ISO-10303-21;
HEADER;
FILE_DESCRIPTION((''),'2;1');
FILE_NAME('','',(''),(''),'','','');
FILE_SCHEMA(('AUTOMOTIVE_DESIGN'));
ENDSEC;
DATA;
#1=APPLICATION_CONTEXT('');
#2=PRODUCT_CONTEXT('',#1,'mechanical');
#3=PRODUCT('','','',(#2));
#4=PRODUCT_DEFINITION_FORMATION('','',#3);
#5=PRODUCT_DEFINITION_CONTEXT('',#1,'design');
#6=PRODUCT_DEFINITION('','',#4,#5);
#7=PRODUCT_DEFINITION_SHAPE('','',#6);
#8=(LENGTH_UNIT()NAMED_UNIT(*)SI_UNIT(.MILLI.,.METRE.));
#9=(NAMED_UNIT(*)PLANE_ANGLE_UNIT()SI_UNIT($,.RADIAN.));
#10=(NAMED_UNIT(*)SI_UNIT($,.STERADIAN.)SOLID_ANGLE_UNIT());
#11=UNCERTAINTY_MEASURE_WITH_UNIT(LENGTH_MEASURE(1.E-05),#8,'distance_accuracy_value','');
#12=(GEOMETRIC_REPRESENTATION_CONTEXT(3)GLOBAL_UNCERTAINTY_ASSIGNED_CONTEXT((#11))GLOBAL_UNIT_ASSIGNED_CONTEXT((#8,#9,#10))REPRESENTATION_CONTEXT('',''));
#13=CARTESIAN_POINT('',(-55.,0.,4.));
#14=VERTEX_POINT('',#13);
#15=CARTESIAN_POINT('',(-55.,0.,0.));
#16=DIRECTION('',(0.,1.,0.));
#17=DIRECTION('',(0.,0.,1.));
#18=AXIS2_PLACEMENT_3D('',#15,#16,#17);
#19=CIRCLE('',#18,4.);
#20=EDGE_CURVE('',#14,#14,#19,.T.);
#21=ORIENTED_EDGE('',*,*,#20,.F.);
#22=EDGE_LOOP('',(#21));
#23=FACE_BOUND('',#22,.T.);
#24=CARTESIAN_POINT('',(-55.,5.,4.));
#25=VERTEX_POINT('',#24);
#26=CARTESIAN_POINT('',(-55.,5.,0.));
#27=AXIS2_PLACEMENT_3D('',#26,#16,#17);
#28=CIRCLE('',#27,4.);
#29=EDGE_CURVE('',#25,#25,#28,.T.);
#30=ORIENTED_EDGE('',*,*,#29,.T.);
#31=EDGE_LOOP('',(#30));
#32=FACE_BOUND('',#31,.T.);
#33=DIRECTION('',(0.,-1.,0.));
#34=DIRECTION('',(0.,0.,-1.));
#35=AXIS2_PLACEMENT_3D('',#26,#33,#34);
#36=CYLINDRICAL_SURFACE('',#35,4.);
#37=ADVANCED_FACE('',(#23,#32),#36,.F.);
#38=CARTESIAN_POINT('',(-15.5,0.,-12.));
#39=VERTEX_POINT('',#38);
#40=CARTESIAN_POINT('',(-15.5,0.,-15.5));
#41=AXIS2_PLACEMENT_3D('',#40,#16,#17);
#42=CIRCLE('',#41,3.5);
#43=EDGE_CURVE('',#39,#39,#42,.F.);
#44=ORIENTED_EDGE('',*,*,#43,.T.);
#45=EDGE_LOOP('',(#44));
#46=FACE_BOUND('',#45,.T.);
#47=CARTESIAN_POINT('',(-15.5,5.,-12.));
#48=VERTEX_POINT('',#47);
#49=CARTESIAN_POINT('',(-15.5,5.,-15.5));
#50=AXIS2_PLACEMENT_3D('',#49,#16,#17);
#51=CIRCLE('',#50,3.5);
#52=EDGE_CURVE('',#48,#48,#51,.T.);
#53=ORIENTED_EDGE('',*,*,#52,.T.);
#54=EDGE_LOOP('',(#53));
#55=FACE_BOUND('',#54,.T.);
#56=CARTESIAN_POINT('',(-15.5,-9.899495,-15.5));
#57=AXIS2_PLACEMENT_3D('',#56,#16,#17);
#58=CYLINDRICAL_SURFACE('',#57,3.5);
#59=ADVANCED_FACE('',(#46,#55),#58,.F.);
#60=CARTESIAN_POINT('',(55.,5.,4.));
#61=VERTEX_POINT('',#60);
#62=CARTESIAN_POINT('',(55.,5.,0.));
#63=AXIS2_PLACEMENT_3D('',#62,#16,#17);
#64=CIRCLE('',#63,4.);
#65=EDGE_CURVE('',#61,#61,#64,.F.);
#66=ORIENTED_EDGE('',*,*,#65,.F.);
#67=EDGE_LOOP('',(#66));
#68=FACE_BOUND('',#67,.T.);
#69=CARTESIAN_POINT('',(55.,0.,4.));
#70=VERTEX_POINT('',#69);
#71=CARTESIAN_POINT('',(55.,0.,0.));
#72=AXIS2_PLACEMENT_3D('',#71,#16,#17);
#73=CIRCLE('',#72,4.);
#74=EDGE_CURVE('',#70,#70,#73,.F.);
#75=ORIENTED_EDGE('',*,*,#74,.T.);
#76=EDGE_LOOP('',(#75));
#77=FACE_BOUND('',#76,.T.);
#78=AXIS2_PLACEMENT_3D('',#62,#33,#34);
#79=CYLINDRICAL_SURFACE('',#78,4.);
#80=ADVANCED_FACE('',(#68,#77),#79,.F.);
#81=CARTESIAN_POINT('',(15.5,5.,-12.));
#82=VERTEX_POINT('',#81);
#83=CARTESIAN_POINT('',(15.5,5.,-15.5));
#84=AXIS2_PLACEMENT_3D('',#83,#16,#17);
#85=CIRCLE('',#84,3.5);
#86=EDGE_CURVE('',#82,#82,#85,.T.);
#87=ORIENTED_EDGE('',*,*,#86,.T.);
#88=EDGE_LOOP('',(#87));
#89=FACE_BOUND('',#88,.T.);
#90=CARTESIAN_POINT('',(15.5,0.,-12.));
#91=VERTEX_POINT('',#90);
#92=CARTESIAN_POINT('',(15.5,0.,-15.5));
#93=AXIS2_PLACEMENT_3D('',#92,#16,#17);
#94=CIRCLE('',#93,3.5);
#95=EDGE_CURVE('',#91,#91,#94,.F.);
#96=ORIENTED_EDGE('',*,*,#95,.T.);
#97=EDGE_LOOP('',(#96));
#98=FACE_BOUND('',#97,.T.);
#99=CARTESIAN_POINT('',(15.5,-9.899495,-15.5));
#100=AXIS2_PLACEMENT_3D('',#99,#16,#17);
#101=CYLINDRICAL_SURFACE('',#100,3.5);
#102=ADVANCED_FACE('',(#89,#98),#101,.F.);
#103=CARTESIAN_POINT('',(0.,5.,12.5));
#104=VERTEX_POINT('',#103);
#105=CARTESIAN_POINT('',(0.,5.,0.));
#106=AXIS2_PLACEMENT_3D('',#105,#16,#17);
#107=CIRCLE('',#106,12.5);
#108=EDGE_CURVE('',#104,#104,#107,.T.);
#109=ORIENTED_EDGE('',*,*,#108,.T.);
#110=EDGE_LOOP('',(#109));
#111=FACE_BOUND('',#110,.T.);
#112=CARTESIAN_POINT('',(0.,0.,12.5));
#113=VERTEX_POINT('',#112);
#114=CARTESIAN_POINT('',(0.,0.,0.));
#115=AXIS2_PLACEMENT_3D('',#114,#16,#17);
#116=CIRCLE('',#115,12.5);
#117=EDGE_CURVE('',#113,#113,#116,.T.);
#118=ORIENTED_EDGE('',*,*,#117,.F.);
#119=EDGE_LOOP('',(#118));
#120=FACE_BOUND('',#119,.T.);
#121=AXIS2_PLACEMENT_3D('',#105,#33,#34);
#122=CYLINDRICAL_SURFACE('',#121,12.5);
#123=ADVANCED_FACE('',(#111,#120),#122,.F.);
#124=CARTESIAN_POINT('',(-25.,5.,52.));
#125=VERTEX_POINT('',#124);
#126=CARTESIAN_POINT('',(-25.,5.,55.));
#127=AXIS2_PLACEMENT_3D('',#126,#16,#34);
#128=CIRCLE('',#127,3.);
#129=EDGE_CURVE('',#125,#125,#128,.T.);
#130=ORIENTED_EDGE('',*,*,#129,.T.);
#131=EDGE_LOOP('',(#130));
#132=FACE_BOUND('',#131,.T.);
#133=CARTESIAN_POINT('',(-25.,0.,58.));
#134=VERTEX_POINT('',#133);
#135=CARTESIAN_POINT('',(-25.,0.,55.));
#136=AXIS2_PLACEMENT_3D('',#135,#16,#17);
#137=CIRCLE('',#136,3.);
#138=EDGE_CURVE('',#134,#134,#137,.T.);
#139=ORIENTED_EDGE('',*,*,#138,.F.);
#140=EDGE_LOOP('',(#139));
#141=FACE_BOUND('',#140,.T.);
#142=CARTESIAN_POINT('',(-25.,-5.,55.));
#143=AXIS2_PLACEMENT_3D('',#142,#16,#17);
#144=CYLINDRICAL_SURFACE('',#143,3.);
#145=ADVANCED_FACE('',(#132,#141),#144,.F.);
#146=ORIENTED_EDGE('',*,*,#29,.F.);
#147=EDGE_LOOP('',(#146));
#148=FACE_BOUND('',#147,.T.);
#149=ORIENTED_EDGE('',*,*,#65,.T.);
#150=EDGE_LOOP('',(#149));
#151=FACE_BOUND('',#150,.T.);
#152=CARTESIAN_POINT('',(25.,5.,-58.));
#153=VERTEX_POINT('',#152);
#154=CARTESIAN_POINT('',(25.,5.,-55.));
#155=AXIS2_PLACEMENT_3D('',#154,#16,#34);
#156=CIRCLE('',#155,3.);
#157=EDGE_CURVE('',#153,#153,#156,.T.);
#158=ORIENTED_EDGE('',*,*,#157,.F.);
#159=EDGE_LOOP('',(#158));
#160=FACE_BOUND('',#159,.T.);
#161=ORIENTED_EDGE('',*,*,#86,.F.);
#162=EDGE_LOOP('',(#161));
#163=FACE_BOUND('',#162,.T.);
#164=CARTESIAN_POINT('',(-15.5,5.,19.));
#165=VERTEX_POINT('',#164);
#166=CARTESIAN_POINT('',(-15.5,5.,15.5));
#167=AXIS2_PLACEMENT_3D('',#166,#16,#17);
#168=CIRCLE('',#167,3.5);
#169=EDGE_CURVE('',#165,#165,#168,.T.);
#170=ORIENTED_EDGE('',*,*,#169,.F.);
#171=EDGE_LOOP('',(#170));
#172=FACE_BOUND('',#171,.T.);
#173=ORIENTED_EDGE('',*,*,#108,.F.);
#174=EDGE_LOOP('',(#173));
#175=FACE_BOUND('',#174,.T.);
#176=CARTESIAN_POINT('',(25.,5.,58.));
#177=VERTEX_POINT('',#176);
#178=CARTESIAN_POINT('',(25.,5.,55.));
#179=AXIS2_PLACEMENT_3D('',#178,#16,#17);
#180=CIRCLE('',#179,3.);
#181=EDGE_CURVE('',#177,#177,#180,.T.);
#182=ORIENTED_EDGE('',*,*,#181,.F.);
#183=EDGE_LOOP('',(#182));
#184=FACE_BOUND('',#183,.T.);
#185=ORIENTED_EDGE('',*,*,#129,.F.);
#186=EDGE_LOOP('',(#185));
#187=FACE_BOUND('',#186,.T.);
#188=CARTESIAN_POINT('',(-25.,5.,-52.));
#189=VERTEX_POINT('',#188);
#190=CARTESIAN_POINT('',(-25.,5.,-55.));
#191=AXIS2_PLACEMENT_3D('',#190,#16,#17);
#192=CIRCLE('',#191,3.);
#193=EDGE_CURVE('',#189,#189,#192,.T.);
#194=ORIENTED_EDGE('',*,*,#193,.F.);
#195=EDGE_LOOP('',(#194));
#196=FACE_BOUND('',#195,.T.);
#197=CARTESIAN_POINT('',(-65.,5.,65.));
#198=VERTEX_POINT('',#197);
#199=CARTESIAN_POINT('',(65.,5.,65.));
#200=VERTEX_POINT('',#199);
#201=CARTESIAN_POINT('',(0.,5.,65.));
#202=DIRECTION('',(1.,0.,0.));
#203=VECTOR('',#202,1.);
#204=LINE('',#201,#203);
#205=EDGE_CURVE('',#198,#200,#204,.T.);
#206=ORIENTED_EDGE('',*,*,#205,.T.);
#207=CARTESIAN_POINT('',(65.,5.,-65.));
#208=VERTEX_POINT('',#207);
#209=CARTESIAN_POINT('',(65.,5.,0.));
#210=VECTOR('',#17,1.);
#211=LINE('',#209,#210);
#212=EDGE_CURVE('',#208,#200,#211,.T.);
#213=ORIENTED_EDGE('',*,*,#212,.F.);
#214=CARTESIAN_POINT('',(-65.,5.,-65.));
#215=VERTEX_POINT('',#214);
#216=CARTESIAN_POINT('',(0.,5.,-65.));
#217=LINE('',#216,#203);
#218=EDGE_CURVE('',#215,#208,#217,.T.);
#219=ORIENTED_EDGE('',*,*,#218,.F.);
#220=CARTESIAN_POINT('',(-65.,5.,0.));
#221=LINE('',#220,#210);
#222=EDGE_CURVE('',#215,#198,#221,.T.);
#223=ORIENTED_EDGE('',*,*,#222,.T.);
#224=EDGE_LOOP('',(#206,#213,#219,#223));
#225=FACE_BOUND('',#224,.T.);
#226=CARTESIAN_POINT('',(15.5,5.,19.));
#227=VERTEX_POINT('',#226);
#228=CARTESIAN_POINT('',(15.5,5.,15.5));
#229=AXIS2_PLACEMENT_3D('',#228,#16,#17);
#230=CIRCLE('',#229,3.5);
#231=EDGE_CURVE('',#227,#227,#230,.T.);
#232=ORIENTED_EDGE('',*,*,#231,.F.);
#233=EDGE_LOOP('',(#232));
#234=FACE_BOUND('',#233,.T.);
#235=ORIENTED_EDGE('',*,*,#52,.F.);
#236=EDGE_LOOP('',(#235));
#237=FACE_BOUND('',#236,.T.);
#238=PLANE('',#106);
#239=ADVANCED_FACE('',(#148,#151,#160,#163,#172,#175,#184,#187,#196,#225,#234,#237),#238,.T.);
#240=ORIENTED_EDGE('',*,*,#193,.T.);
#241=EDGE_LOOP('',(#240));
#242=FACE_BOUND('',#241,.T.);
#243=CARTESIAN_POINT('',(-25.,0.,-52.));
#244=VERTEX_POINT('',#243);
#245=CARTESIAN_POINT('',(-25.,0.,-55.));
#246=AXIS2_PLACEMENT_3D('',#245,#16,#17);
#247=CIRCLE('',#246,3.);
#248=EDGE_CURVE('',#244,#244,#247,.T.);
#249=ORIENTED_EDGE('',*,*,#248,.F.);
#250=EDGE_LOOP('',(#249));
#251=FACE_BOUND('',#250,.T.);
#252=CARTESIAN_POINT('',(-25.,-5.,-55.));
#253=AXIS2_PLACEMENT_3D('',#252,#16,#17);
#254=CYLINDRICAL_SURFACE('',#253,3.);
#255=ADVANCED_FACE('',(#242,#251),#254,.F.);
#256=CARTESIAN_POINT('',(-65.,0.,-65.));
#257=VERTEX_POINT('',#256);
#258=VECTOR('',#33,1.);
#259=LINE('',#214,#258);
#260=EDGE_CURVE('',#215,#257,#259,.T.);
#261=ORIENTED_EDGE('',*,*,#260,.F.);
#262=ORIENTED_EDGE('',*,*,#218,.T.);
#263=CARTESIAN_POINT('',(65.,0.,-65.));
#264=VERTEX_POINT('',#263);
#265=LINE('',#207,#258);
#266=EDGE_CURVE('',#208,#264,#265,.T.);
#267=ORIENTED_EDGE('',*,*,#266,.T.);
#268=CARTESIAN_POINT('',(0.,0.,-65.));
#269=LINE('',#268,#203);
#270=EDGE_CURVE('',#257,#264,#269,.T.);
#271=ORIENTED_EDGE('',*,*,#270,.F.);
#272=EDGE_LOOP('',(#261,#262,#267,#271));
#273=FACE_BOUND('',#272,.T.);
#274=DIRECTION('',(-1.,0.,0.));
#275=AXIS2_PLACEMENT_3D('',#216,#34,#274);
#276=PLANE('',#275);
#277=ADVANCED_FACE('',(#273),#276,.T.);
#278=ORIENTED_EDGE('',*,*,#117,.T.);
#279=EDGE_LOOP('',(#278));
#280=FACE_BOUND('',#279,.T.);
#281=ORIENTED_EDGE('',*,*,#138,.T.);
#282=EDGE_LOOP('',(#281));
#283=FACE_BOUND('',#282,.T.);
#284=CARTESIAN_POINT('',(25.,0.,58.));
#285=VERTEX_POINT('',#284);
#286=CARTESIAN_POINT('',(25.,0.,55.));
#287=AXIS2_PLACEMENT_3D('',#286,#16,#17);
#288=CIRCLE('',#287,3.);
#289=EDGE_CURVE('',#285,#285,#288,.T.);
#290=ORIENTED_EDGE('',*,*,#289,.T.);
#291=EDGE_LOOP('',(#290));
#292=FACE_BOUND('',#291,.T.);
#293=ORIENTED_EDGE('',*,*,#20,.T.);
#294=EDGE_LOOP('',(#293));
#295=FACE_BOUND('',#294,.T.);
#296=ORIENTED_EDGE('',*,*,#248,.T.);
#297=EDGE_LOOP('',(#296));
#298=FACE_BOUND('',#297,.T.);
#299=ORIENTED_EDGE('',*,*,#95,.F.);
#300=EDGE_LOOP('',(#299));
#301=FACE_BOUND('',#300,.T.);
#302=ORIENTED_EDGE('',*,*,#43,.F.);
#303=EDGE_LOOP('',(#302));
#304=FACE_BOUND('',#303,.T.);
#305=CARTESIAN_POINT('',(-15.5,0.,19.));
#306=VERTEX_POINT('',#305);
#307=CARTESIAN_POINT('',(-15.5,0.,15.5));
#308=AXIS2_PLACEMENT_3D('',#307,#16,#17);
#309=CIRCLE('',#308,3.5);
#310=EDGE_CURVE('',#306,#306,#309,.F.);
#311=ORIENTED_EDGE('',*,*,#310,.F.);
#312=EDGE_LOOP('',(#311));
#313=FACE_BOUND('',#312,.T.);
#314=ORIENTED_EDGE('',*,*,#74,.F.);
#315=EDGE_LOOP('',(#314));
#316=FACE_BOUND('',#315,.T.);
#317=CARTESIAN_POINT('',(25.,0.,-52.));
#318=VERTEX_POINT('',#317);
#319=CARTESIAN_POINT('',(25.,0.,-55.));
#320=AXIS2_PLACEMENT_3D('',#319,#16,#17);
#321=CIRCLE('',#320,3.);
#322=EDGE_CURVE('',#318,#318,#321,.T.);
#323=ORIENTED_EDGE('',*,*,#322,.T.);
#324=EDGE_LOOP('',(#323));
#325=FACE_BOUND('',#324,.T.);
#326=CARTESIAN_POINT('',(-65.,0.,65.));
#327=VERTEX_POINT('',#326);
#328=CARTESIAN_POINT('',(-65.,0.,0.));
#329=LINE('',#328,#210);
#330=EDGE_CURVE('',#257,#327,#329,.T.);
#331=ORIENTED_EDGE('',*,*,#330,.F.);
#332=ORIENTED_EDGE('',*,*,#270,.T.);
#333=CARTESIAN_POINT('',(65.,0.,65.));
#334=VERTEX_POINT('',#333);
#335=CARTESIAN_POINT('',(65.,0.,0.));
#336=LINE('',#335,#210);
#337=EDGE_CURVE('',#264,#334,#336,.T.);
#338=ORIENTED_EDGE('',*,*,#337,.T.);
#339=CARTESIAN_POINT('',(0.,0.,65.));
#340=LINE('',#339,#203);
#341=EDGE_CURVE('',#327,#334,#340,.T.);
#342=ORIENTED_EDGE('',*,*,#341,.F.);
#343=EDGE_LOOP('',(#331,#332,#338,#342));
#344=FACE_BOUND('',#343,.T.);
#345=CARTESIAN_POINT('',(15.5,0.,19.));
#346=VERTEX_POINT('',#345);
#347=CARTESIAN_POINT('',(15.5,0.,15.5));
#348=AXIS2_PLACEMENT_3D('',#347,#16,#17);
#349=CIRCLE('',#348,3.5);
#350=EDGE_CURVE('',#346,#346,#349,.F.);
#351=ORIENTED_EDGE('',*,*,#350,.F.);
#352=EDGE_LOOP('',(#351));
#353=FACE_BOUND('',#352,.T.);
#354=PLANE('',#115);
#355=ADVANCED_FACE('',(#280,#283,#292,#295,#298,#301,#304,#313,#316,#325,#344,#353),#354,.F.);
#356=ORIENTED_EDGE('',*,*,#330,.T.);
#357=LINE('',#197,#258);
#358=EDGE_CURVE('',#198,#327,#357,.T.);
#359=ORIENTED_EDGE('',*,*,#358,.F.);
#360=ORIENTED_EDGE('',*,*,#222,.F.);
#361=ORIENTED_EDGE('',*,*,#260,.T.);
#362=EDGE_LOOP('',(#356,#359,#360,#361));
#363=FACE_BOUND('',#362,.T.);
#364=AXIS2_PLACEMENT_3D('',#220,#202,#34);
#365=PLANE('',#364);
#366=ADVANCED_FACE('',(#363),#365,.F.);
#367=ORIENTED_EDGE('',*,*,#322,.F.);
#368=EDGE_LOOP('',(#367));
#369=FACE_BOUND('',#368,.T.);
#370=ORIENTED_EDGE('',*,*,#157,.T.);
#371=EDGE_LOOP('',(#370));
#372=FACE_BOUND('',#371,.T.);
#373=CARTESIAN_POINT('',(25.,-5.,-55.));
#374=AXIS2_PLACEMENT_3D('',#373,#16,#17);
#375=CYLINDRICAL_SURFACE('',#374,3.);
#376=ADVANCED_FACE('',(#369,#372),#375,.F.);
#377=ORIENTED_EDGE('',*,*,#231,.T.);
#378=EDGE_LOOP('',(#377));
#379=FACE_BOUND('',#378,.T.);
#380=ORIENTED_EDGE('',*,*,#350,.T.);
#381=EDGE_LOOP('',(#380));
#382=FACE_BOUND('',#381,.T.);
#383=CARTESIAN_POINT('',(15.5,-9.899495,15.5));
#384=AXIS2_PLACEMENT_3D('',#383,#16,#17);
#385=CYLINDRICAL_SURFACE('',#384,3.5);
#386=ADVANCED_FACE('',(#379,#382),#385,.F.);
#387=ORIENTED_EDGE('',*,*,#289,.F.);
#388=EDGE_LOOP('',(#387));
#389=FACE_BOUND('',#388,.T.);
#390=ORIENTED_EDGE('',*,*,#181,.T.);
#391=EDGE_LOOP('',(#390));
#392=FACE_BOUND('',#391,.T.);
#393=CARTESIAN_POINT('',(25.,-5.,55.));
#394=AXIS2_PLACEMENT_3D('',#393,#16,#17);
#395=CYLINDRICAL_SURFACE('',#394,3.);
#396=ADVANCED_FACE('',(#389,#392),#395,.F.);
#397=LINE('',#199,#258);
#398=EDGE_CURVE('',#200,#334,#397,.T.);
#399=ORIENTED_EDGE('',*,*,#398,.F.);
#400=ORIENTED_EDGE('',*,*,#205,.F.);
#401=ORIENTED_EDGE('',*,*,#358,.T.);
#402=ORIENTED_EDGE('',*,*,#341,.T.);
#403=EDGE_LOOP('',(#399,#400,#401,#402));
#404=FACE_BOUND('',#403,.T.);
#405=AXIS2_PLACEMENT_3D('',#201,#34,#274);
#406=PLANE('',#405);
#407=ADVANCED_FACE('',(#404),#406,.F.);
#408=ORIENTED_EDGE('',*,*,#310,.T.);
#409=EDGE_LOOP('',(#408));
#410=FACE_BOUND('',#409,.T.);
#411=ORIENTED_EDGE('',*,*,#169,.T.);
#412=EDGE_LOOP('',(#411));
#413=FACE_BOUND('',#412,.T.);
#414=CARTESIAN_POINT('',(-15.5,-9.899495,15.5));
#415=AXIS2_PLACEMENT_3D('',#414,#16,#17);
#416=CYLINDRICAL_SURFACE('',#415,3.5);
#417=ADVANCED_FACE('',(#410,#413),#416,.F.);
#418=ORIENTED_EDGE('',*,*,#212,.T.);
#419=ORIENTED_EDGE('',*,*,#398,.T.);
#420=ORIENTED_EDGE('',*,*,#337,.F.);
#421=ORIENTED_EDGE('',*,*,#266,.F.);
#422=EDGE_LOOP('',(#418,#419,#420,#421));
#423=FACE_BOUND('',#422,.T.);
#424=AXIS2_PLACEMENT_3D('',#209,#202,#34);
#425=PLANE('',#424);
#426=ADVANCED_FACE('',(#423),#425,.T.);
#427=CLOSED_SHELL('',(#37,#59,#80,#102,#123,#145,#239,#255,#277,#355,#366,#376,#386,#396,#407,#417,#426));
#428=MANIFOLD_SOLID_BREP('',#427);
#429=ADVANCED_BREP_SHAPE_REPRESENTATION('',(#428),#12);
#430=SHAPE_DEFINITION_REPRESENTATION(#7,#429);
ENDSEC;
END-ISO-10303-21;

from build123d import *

# Parameters (mm, degrees)
SKETCH1_W           = 130
SKETCH1_H           = 130
SKETCH1_R           = 12.5
SKETCH1_R_2         = 4
BOSS_EXTRUDE1_DEPTH = 5
SKETCH2_R           = 3
CUT_EXTRUDE1_DEPTH  = 10
SKETCH3_R           = 3.5
CUT_EXTRUDE2_DEPTH  = 5


with BuildPart() as part:
    # Sketch1 → Boss-Extrude1 (new body)
    with BuildSketch(Plane(origin=(0, 0, 0), x_dir=(1, 0, 0), z_dir=(0, 1, 0))):
        Rectangle(SKETCH1_W, SKETCH1_H)
        with Locations(Location((0, 0, 0), (0, 0, 270))):
            Circle(SKETCH1_R, mode=Mode.SUBTRACT)
        with Locations(Location((-55, 0, 0), (0, 0, 270))):
            Circle(SKETCH1_R_2, mode=Mode.SUBTRACT)
        with Locations(Location((55, 0, 0), (0, 0, 270))):
            Circle(SKETCH1_R_2, mode=Mode.SUBTRACT)
    extrude(amount=BOSS_EXTRUDE1_DEPTH)

    # Sketch2 → Cut-Extrude1 (cut)
    with BuildSketch(Plane(origin=(0, 5, 0), x_dir=(1, 0, 0), z_dir=(0, 1, 0))):
        with Locations(Location((-25, 55, 0), (0, 0, 270))):
            Circle(SKETCH2_R)
        with Locations(Location((25, 55, 0), (0, 0, 270))):
            Circle(SKETCH2_R)
        with Locations(Location((25, -55, 0), (0, 0, 270))):
            Circle(SKETCH2_R)
        with Locations(Location((-25, -55, 0), (0, 0, 270))):
            Circle(SKETCH2_R)
    extrude(amount=-CUT_EXTRUDE1_DEPTH, mode=Mode.SUBTRACT)

    # Sketch3 → Cut-Extrude2 (cut)
    with BuildSketch(Plane(origin=(0, 5, 0), x_dir=(1, 0, 0), z_dir=(0, 1, 0))):
        with Locations(Location((-15.5, 15.5, 0), (0, 0, 270))):
            Circle(SKETCH3_R)
        with Locations(Location((15.5, 15.5, 0), (0, 0, 270))):
            Circle(SKETCH3_R)
        with Locations(Location((-15.5, -15.5, 0), (0, 0, 270))):
            Circle(SKETCH3_R)
        with Locations(Location((15.5, -15.5, 0), (0, 0, 270))):
            Circle(SKETCH3_R)
    extrude(amount=-CUT_EXTRUDE2_DEPTH, mode=Mode.SUBTRACT)


solid = part.part
